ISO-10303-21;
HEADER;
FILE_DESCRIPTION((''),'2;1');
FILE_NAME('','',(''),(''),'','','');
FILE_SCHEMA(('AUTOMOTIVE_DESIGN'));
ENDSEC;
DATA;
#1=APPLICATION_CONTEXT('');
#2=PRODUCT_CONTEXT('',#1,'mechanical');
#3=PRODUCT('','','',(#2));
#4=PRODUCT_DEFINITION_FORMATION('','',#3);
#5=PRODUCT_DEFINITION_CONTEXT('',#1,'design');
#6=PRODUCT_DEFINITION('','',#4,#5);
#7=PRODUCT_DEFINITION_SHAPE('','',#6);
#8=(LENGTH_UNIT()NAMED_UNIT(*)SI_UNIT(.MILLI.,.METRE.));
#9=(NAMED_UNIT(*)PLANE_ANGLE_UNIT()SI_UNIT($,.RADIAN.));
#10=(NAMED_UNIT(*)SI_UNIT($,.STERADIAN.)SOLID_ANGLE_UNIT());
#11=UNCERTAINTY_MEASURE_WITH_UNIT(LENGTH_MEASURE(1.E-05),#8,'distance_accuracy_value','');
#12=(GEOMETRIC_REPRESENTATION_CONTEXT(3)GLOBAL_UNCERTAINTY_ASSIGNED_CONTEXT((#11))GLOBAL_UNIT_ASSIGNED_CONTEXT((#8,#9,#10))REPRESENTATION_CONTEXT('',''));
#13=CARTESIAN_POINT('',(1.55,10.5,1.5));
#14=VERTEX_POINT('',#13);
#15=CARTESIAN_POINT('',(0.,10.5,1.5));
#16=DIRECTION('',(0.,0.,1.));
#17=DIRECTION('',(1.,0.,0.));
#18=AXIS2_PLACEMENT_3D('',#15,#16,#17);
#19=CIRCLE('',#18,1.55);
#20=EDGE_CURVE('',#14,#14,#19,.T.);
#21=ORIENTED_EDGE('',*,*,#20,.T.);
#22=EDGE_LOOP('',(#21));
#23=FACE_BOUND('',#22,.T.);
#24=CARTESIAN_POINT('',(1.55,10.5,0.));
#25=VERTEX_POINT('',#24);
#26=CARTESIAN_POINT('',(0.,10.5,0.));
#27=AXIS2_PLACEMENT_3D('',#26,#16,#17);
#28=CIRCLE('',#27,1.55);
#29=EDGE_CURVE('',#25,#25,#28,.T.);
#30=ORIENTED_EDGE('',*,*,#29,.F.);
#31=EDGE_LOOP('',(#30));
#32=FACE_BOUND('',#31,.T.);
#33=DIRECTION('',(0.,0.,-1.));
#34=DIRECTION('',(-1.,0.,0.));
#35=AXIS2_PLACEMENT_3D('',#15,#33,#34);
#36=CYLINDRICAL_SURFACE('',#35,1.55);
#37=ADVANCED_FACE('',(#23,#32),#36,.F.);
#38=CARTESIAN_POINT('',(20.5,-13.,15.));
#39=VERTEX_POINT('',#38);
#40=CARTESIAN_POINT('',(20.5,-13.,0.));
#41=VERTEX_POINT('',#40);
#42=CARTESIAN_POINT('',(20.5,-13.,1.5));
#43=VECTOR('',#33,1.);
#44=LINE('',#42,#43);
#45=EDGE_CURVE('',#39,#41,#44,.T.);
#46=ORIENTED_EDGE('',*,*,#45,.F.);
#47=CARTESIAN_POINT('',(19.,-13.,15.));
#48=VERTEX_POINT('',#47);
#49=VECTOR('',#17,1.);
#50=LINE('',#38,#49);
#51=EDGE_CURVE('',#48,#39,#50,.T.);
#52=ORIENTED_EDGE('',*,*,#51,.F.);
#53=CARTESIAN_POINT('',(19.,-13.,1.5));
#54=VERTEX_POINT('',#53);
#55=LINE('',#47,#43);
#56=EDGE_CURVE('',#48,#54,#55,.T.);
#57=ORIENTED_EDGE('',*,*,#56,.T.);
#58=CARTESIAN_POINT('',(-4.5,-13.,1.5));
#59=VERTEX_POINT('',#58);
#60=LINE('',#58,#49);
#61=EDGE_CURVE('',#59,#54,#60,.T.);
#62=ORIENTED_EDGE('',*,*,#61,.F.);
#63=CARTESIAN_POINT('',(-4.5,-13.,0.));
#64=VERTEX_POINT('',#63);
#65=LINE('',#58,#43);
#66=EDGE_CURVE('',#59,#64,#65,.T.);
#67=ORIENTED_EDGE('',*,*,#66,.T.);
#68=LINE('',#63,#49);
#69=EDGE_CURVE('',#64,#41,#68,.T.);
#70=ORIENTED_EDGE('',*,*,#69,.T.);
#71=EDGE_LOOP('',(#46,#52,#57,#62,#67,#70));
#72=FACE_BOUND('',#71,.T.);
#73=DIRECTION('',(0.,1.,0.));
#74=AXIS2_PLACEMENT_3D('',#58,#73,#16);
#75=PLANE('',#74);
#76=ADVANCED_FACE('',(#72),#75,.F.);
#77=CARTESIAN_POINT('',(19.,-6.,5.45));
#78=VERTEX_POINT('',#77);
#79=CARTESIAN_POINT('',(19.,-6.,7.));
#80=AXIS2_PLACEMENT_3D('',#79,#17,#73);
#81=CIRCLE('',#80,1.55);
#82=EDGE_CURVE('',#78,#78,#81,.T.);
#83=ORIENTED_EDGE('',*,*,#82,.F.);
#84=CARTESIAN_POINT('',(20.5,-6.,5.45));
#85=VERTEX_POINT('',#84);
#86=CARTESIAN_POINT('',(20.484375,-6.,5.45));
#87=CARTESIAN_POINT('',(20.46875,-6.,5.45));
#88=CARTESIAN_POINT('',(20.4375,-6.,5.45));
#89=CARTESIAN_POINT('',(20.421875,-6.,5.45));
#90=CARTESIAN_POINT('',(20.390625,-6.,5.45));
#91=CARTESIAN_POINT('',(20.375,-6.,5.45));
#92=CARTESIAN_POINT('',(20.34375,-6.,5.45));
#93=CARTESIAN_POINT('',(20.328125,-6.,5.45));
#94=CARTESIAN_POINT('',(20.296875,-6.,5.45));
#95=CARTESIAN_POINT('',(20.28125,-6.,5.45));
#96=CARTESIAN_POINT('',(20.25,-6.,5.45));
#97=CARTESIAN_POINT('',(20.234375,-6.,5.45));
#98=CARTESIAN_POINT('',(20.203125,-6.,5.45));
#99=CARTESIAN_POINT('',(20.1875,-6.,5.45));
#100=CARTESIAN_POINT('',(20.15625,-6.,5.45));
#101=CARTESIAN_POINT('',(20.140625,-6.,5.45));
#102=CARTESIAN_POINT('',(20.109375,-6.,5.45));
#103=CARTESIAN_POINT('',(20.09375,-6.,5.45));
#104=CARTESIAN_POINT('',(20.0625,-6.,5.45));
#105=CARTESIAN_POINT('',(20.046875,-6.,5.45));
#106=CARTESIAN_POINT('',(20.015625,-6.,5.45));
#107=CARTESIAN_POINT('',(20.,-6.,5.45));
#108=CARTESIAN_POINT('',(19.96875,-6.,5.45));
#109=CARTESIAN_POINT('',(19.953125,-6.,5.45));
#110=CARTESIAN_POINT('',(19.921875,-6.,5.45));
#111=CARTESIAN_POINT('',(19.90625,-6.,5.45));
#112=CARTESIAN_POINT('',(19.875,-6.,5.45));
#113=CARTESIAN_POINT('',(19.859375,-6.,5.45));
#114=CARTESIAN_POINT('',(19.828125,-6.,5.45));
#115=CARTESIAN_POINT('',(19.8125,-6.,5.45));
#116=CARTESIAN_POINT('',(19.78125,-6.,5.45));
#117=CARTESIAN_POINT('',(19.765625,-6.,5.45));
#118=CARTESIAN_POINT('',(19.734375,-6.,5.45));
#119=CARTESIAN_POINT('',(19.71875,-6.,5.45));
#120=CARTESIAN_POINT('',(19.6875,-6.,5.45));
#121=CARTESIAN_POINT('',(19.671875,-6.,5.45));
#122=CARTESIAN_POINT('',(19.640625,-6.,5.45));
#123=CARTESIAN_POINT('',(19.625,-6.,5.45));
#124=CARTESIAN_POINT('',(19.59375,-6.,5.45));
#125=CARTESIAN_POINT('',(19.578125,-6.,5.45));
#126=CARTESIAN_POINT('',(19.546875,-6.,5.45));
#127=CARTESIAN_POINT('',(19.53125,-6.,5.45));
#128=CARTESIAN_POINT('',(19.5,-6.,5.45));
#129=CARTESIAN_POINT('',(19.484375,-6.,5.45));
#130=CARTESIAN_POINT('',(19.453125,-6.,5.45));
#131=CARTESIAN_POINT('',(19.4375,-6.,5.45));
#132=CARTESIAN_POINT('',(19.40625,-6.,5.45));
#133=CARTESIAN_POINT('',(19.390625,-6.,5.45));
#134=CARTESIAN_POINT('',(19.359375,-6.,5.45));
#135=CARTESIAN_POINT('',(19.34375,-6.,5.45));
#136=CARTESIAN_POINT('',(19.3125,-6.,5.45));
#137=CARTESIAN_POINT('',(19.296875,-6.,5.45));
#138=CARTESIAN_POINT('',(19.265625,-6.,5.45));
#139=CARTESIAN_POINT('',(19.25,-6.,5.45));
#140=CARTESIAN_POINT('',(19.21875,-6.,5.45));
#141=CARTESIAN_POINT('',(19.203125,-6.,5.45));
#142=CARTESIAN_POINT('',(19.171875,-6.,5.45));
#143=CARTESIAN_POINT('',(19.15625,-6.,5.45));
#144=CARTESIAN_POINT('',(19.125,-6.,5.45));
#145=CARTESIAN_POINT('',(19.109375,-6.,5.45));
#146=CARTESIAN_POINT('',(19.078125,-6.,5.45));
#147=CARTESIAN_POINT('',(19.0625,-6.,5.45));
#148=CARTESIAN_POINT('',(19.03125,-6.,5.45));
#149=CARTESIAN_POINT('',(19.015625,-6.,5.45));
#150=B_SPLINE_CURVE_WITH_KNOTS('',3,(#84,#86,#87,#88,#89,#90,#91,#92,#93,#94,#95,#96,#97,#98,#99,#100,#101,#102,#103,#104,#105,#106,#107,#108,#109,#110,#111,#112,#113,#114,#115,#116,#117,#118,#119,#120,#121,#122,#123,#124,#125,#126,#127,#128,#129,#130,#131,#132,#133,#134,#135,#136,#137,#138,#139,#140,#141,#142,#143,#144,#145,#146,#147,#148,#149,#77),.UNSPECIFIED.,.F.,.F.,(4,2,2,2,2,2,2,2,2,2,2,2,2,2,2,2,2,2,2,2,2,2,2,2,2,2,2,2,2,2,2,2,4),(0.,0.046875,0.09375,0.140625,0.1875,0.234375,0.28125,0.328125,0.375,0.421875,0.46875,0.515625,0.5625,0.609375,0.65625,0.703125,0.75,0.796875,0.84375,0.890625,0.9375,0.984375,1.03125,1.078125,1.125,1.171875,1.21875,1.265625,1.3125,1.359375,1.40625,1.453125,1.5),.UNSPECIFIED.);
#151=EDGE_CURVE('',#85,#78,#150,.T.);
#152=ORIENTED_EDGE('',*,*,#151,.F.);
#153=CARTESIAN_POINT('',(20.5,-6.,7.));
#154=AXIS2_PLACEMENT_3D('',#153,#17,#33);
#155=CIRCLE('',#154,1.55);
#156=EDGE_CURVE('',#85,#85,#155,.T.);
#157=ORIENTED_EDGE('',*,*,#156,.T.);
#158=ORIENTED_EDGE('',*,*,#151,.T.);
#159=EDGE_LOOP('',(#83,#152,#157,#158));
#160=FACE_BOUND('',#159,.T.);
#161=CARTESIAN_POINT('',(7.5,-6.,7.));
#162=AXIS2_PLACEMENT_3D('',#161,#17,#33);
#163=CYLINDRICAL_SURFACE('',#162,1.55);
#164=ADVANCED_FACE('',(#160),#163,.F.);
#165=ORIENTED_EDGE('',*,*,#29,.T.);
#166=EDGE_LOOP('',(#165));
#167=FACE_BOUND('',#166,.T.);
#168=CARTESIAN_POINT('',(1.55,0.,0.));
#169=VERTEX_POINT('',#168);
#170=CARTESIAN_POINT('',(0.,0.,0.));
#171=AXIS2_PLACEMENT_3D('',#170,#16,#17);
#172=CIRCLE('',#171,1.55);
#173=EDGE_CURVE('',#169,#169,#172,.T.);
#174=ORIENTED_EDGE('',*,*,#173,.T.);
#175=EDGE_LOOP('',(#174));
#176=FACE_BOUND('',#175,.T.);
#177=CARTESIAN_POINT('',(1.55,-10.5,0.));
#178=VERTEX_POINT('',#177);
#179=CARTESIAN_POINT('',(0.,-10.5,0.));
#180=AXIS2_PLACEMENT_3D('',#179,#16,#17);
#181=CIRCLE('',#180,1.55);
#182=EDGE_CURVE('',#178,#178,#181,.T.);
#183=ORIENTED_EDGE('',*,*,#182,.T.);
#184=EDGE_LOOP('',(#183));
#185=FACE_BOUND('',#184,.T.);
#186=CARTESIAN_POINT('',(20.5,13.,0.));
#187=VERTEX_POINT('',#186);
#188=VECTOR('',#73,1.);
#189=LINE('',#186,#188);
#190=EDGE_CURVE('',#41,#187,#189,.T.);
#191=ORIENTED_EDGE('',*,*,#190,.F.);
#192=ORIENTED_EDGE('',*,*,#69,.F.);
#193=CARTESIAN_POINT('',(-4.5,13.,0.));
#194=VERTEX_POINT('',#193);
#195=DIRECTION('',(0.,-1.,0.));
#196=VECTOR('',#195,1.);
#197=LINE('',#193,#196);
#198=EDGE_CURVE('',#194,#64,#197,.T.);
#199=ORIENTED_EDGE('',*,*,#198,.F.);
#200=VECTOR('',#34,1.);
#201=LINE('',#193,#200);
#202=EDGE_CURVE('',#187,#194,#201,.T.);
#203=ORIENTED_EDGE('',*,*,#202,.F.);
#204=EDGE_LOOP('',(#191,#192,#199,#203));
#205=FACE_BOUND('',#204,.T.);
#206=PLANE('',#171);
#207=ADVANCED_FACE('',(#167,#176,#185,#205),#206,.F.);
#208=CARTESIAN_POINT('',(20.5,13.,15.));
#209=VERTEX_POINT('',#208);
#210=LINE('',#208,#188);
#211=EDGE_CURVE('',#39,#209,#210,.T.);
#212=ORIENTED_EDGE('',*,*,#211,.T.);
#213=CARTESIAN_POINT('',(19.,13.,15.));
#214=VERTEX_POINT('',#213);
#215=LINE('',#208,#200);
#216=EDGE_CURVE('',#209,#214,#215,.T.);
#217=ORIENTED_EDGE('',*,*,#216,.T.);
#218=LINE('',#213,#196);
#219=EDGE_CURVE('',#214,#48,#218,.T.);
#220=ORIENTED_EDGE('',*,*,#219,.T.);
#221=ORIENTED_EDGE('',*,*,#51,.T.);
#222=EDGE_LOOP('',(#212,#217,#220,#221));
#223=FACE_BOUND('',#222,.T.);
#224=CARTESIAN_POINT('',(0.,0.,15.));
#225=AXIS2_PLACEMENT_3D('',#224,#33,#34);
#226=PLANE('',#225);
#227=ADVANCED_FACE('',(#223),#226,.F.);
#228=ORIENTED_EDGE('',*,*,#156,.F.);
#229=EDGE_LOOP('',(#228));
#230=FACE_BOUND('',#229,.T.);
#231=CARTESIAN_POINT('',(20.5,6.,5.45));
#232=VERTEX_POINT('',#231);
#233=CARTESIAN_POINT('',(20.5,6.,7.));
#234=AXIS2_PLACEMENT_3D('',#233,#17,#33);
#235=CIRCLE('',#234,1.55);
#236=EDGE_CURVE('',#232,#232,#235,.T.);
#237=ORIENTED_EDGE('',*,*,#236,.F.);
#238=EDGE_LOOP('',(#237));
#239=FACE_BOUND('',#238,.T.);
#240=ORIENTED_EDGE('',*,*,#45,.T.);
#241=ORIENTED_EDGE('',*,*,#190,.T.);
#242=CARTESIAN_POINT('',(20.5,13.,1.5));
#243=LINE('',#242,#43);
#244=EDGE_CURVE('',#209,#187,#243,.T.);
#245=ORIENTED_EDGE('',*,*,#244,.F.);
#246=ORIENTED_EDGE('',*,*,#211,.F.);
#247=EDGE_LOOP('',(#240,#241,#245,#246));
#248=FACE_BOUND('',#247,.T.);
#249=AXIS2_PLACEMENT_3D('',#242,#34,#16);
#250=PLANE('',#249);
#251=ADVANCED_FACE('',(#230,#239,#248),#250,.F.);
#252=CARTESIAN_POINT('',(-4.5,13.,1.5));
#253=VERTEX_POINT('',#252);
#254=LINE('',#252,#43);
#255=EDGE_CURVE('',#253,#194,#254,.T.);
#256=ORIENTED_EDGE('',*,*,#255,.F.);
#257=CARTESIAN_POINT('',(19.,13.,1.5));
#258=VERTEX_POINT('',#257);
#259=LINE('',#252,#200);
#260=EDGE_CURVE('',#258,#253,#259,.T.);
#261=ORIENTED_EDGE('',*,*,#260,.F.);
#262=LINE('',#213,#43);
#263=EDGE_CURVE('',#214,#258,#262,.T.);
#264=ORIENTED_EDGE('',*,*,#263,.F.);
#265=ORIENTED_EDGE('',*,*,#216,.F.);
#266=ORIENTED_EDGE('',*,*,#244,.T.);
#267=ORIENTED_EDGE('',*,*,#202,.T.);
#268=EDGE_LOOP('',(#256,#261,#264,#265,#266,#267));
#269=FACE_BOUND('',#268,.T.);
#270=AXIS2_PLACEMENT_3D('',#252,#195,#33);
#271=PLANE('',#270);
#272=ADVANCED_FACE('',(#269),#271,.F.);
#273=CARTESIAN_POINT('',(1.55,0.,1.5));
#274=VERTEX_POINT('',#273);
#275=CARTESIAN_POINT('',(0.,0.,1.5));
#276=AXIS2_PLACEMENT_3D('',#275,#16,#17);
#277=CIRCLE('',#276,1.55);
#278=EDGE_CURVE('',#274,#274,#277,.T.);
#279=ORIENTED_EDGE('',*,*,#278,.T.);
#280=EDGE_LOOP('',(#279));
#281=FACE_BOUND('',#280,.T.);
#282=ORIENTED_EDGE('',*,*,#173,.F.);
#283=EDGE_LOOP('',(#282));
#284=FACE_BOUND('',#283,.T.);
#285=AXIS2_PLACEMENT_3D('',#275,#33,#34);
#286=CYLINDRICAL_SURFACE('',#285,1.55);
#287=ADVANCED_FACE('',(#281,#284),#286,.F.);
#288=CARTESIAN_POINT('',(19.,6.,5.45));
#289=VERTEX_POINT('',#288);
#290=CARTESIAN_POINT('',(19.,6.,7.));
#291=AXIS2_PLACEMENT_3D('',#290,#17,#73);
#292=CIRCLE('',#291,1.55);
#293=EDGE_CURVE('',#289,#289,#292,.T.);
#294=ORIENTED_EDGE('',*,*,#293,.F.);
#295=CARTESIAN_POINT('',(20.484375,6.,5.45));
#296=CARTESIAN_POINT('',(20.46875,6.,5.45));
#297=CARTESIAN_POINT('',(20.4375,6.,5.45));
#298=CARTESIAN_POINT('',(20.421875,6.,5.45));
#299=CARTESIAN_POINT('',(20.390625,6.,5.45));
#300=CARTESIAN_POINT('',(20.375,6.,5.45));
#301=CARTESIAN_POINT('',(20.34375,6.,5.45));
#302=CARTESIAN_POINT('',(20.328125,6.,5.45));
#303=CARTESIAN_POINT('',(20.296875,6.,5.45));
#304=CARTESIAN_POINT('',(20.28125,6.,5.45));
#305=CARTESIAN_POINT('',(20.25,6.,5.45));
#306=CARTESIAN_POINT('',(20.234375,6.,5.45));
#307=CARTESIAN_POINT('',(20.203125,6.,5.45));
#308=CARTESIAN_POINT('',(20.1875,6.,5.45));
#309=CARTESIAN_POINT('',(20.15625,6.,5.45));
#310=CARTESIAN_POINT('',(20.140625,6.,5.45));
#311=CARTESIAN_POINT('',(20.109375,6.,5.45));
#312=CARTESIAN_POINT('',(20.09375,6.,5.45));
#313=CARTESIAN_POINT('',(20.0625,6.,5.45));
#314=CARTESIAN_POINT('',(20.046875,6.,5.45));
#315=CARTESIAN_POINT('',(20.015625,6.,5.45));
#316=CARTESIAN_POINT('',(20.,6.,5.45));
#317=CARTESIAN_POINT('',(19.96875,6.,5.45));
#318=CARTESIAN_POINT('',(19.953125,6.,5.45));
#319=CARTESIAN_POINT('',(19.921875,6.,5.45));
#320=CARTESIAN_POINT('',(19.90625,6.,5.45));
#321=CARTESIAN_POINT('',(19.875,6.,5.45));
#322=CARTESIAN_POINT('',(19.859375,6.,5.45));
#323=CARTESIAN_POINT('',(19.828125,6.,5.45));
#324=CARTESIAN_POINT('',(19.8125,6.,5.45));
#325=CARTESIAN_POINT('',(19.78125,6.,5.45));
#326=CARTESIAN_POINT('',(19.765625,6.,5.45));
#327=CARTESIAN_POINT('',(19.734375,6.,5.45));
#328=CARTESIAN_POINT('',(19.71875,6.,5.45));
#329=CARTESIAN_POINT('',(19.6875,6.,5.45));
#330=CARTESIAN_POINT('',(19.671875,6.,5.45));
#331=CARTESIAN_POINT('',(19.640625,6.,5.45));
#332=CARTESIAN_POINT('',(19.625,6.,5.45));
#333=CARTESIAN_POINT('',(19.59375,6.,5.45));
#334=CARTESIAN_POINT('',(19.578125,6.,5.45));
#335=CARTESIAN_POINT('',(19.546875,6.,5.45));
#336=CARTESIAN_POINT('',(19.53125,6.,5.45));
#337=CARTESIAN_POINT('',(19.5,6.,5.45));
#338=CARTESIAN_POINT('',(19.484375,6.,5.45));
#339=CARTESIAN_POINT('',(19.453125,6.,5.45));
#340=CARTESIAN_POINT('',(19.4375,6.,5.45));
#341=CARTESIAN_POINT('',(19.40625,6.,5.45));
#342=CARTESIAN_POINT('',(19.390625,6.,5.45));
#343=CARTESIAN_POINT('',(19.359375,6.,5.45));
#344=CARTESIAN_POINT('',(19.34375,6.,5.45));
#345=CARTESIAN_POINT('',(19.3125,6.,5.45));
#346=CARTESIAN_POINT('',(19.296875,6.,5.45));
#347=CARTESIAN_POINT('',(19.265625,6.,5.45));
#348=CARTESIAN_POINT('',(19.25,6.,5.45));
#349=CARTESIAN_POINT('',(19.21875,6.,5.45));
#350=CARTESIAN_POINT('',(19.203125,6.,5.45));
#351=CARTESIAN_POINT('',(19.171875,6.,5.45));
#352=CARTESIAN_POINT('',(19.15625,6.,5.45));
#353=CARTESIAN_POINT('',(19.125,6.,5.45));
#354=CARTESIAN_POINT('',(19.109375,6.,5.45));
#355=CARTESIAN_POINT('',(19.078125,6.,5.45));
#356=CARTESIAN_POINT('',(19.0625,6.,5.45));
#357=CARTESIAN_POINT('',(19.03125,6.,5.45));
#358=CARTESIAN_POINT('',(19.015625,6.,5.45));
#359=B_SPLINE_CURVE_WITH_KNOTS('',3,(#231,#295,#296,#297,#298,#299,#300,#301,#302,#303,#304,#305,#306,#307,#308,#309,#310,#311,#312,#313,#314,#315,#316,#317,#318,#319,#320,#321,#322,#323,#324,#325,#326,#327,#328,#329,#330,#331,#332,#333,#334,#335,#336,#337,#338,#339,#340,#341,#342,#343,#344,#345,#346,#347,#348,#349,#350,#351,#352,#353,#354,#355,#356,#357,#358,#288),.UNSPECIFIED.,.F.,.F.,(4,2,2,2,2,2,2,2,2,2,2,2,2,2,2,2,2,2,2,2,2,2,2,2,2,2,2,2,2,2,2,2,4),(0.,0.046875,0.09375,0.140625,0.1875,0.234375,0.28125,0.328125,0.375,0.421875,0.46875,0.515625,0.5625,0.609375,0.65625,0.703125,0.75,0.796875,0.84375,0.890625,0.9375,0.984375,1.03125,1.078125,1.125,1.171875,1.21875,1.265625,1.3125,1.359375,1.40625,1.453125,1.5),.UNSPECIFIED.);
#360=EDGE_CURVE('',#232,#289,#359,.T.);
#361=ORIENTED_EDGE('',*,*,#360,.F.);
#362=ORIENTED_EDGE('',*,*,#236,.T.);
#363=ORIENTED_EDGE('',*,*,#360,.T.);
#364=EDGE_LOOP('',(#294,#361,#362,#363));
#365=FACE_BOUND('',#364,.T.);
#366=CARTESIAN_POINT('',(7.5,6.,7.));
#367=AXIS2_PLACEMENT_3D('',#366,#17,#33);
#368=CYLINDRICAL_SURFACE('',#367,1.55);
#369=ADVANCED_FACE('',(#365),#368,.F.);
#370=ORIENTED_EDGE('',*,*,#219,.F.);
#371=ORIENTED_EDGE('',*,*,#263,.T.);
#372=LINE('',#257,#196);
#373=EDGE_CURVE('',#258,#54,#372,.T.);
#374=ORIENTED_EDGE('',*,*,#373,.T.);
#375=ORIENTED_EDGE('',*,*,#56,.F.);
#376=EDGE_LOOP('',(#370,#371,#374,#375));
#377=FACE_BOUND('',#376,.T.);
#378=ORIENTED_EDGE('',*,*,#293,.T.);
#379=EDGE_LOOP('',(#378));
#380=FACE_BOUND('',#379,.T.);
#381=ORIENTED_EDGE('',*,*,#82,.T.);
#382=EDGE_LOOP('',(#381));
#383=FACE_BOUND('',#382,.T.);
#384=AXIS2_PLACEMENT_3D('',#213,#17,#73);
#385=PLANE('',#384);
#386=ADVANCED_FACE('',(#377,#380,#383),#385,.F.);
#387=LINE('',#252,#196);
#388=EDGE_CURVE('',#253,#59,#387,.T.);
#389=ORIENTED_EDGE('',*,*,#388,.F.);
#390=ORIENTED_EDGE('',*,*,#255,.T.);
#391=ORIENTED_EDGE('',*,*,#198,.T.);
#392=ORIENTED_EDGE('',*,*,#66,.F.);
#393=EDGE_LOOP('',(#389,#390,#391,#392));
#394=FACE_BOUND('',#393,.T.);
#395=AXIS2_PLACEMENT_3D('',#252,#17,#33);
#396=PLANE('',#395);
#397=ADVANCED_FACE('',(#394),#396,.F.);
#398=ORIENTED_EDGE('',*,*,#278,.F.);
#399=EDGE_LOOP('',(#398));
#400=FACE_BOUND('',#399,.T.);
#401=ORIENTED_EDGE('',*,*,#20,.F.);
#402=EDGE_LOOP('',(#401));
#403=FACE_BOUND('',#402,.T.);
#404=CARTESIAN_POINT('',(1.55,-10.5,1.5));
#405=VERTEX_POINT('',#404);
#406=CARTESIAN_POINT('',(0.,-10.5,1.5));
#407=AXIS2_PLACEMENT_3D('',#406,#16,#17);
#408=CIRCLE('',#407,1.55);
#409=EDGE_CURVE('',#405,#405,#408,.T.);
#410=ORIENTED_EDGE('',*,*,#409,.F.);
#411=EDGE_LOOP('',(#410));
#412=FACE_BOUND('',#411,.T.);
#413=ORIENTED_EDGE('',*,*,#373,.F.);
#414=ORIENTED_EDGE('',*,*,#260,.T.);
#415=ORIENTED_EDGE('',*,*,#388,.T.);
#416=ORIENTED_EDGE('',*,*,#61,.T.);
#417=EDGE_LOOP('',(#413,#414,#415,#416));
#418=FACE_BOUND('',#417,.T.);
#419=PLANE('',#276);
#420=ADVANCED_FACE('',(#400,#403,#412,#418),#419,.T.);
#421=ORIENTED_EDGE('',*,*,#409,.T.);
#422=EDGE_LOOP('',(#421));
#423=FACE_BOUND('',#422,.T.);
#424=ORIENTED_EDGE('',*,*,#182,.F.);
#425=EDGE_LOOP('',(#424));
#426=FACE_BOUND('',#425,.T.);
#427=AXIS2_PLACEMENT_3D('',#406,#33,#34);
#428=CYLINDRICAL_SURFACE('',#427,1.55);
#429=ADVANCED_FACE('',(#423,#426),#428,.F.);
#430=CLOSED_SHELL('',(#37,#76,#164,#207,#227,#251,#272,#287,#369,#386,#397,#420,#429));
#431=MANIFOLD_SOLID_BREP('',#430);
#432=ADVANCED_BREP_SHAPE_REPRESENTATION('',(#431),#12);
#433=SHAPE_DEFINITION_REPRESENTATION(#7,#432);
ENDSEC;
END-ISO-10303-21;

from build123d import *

# Parameters (mm, degrees)
SKETCH1_W           = 25
SKETCH1_H           = 26
SKETCH1_R           = 1.55
BOSS_EXTRUDE1_DEPTH = 1.5
SKETCH2_W           = 1.5
SKETCH2_H           = 26
BOSS_EXTRUDE2_DEPTH = 13.5
SKETCH3_R           = 1.55
CUT_EXTRUDE1_DEPTH  = 13


with BuildPart() as part:
    # Sketch1 → Boss-Extrude1 (new body)
    with BuildSketch(Plane.XY):
        with Locations((8, 0)):
            Rectangle(SKETCH1_W, SKETCH1_H)
        with Locations((0, 10.5)):
            Circle(SKETCH1_R, mode=Mode.SUBTRACT)
        Circle(SKETCH1_R, mode=Mode.SUBTRACT)
        with Locations((0, -10.5)):
            Circle(SKETCH1_R, mode=Mode.SUBTRACT)
    extrude(amount=BOSS_EXTRUDE1_DEPTH)

    # Sketch2 → Boss-Extrude2 (add)
    with BuildSketch(Plane.XY.offset(1.5)):
        with Locations((19.75, 0)):
            Rectangle(SKETCH2_W, SKETCH2_H)
    extrude(amount=BOSS_EXTRUDE2_DEPTH)

    # Sketch3 → Cut-Extrude1 (cut)
    with BuildSketch(Plane(origin=(20.5, 0, 0), x_dir=(0, 0, -1), z_dir=(1, 0, 0))):
        with Locations((-7, 6)):
            Circle(SKETCH3_R)
        with Locations((-7, -6)):
            Circle(SKETCH3_R)
    extrude(amount=-CUT_EXTRUDE1_DEPTH, mode=Mode.SUBTRACT)


solid = part.part
